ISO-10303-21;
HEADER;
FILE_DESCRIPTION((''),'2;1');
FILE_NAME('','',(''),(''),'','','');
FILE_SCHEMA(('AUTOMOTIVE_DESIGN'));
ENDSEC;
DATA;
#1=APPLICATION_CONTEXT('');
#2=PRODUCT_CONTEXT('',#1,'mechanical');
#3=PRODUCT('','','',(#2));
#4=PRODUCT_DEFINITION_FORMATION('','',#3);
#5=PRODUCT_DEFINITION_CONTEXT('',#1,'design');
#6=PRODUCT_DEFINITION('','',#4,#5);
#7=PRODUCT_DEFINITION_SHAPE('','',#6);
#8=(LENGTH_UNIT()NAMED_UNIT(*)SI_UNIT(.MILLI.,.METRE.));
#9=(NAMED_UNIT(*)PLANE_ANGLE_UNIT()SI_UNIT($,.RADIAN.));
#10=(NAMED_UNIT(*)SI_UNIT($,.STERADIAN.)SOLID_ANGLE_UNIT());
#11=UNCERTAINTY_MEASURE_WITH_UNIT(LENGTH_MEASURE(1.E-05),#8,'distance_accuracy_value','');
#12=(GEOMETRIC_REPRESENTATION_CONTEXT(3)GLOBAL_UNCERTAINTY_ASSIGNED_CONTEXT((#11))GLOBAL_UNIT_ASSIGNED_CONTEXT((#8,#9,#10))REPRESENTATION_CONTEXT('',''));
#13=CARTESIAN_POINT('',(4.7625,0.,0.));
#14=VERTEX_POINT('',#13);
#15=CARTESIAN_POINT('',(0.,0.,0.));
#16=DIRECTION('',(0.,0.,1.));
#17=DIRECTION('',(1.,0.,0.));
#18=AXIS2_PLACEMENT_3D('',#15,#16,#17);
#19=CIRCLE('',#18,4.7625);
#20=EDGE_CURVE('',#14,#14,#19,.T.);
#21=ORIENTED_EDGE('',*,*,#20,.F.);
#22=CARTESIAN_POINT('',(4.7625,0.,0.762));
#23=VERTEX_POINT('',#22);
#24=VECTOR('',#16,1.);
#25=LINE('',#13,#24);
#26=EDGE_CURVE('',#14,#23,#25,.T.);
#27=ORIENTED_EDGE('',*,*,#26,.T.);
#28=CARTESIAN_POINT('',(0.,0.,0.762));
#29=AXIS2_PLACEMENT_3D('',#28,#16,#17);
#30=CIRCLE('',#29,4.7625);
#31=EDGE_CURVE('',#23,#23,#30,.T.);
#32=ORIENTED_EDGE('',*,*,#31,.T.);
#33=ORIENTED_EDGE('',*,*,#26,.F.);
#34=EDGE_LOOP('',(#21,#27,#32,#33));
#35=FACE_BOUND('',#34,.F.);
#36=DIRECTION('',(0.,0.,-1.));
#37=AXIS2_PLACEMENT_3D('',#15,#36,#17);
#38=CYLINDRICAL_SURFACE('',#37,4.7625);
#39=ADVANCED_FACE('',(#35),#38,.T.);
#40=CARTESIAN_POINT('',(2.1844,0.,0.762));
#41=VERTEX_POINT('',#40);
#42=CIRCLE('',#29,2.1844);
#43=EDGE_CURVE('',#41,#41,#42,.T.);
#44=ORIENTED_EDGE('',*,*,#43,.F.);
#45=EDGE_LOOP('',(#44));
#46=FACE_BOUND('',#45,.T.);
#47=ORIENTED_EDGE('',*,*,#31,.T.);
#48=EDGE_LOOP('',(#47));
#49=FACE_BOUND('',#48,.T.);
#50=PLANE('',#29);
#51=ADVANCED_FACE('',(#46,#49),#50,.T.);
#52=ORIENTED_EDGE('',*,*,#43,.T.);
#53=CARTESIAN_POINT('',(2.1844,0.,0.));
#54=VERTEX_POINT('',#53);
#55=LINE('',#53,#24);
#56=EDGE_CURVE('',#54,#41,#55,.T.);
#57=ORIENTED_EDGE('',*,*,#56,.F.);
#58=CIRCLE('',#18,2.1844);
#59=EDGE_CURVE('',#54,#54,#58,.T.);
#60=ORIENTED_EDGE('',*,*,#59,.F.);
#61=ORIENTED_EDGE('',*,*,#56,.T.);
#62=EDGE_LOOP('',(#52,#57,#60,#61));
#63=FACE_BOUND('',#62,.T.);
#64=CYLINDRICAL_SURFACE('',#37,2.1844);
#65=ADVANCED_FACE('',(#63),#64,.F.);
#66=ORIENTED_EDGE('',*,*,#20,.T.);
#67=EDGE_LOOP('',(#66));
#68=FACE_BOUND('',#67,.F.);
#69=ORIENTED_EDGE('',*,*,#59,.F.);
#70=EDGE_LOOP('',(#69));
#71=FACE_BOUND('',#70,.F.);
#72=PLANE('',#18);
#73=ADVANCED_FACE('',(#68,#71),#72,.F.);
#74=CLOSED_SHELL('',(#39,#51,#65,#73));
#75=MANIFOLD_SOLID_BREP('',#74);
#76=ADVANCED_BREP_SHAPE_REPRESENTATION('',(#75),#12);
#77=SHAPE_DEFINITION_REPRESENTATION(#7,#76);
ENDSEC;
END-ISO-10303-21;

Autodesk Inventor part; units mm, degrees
ref_plane "YZ Plane" through (0, 0, 0) normal (1, 0, 0) x (0, 1, 0)
ref_plane "XZ Plane" through (0, 0, 0) normal (0, 1, 0) x (-1, 0, 0)
ref_plane "XY Plane" through (0, 0, 0) normal (0, 0, 1) x (1, 0, 0)
sketch "Sketch1" plane through (0, 0, 0) normal (0, 0, 1) x (1, 0, 0)
  line L0 (0, 6.6675) -> (0, -6.6675) construction
  line L1 (-6.6675, 0) -> (6.6675, 0) construction
  circle A0 centre (0, 0) radius 4.7625
  circle A1 centre (0, 0) radius 2.1844
  dimension "d0" = 9.525
  dimension "d1" = 4.3688
extrude "Extrusion1" add sketch "Sketch1" along normal blind 0.762
properties material "STAINLESS STEEL, 18-8"
